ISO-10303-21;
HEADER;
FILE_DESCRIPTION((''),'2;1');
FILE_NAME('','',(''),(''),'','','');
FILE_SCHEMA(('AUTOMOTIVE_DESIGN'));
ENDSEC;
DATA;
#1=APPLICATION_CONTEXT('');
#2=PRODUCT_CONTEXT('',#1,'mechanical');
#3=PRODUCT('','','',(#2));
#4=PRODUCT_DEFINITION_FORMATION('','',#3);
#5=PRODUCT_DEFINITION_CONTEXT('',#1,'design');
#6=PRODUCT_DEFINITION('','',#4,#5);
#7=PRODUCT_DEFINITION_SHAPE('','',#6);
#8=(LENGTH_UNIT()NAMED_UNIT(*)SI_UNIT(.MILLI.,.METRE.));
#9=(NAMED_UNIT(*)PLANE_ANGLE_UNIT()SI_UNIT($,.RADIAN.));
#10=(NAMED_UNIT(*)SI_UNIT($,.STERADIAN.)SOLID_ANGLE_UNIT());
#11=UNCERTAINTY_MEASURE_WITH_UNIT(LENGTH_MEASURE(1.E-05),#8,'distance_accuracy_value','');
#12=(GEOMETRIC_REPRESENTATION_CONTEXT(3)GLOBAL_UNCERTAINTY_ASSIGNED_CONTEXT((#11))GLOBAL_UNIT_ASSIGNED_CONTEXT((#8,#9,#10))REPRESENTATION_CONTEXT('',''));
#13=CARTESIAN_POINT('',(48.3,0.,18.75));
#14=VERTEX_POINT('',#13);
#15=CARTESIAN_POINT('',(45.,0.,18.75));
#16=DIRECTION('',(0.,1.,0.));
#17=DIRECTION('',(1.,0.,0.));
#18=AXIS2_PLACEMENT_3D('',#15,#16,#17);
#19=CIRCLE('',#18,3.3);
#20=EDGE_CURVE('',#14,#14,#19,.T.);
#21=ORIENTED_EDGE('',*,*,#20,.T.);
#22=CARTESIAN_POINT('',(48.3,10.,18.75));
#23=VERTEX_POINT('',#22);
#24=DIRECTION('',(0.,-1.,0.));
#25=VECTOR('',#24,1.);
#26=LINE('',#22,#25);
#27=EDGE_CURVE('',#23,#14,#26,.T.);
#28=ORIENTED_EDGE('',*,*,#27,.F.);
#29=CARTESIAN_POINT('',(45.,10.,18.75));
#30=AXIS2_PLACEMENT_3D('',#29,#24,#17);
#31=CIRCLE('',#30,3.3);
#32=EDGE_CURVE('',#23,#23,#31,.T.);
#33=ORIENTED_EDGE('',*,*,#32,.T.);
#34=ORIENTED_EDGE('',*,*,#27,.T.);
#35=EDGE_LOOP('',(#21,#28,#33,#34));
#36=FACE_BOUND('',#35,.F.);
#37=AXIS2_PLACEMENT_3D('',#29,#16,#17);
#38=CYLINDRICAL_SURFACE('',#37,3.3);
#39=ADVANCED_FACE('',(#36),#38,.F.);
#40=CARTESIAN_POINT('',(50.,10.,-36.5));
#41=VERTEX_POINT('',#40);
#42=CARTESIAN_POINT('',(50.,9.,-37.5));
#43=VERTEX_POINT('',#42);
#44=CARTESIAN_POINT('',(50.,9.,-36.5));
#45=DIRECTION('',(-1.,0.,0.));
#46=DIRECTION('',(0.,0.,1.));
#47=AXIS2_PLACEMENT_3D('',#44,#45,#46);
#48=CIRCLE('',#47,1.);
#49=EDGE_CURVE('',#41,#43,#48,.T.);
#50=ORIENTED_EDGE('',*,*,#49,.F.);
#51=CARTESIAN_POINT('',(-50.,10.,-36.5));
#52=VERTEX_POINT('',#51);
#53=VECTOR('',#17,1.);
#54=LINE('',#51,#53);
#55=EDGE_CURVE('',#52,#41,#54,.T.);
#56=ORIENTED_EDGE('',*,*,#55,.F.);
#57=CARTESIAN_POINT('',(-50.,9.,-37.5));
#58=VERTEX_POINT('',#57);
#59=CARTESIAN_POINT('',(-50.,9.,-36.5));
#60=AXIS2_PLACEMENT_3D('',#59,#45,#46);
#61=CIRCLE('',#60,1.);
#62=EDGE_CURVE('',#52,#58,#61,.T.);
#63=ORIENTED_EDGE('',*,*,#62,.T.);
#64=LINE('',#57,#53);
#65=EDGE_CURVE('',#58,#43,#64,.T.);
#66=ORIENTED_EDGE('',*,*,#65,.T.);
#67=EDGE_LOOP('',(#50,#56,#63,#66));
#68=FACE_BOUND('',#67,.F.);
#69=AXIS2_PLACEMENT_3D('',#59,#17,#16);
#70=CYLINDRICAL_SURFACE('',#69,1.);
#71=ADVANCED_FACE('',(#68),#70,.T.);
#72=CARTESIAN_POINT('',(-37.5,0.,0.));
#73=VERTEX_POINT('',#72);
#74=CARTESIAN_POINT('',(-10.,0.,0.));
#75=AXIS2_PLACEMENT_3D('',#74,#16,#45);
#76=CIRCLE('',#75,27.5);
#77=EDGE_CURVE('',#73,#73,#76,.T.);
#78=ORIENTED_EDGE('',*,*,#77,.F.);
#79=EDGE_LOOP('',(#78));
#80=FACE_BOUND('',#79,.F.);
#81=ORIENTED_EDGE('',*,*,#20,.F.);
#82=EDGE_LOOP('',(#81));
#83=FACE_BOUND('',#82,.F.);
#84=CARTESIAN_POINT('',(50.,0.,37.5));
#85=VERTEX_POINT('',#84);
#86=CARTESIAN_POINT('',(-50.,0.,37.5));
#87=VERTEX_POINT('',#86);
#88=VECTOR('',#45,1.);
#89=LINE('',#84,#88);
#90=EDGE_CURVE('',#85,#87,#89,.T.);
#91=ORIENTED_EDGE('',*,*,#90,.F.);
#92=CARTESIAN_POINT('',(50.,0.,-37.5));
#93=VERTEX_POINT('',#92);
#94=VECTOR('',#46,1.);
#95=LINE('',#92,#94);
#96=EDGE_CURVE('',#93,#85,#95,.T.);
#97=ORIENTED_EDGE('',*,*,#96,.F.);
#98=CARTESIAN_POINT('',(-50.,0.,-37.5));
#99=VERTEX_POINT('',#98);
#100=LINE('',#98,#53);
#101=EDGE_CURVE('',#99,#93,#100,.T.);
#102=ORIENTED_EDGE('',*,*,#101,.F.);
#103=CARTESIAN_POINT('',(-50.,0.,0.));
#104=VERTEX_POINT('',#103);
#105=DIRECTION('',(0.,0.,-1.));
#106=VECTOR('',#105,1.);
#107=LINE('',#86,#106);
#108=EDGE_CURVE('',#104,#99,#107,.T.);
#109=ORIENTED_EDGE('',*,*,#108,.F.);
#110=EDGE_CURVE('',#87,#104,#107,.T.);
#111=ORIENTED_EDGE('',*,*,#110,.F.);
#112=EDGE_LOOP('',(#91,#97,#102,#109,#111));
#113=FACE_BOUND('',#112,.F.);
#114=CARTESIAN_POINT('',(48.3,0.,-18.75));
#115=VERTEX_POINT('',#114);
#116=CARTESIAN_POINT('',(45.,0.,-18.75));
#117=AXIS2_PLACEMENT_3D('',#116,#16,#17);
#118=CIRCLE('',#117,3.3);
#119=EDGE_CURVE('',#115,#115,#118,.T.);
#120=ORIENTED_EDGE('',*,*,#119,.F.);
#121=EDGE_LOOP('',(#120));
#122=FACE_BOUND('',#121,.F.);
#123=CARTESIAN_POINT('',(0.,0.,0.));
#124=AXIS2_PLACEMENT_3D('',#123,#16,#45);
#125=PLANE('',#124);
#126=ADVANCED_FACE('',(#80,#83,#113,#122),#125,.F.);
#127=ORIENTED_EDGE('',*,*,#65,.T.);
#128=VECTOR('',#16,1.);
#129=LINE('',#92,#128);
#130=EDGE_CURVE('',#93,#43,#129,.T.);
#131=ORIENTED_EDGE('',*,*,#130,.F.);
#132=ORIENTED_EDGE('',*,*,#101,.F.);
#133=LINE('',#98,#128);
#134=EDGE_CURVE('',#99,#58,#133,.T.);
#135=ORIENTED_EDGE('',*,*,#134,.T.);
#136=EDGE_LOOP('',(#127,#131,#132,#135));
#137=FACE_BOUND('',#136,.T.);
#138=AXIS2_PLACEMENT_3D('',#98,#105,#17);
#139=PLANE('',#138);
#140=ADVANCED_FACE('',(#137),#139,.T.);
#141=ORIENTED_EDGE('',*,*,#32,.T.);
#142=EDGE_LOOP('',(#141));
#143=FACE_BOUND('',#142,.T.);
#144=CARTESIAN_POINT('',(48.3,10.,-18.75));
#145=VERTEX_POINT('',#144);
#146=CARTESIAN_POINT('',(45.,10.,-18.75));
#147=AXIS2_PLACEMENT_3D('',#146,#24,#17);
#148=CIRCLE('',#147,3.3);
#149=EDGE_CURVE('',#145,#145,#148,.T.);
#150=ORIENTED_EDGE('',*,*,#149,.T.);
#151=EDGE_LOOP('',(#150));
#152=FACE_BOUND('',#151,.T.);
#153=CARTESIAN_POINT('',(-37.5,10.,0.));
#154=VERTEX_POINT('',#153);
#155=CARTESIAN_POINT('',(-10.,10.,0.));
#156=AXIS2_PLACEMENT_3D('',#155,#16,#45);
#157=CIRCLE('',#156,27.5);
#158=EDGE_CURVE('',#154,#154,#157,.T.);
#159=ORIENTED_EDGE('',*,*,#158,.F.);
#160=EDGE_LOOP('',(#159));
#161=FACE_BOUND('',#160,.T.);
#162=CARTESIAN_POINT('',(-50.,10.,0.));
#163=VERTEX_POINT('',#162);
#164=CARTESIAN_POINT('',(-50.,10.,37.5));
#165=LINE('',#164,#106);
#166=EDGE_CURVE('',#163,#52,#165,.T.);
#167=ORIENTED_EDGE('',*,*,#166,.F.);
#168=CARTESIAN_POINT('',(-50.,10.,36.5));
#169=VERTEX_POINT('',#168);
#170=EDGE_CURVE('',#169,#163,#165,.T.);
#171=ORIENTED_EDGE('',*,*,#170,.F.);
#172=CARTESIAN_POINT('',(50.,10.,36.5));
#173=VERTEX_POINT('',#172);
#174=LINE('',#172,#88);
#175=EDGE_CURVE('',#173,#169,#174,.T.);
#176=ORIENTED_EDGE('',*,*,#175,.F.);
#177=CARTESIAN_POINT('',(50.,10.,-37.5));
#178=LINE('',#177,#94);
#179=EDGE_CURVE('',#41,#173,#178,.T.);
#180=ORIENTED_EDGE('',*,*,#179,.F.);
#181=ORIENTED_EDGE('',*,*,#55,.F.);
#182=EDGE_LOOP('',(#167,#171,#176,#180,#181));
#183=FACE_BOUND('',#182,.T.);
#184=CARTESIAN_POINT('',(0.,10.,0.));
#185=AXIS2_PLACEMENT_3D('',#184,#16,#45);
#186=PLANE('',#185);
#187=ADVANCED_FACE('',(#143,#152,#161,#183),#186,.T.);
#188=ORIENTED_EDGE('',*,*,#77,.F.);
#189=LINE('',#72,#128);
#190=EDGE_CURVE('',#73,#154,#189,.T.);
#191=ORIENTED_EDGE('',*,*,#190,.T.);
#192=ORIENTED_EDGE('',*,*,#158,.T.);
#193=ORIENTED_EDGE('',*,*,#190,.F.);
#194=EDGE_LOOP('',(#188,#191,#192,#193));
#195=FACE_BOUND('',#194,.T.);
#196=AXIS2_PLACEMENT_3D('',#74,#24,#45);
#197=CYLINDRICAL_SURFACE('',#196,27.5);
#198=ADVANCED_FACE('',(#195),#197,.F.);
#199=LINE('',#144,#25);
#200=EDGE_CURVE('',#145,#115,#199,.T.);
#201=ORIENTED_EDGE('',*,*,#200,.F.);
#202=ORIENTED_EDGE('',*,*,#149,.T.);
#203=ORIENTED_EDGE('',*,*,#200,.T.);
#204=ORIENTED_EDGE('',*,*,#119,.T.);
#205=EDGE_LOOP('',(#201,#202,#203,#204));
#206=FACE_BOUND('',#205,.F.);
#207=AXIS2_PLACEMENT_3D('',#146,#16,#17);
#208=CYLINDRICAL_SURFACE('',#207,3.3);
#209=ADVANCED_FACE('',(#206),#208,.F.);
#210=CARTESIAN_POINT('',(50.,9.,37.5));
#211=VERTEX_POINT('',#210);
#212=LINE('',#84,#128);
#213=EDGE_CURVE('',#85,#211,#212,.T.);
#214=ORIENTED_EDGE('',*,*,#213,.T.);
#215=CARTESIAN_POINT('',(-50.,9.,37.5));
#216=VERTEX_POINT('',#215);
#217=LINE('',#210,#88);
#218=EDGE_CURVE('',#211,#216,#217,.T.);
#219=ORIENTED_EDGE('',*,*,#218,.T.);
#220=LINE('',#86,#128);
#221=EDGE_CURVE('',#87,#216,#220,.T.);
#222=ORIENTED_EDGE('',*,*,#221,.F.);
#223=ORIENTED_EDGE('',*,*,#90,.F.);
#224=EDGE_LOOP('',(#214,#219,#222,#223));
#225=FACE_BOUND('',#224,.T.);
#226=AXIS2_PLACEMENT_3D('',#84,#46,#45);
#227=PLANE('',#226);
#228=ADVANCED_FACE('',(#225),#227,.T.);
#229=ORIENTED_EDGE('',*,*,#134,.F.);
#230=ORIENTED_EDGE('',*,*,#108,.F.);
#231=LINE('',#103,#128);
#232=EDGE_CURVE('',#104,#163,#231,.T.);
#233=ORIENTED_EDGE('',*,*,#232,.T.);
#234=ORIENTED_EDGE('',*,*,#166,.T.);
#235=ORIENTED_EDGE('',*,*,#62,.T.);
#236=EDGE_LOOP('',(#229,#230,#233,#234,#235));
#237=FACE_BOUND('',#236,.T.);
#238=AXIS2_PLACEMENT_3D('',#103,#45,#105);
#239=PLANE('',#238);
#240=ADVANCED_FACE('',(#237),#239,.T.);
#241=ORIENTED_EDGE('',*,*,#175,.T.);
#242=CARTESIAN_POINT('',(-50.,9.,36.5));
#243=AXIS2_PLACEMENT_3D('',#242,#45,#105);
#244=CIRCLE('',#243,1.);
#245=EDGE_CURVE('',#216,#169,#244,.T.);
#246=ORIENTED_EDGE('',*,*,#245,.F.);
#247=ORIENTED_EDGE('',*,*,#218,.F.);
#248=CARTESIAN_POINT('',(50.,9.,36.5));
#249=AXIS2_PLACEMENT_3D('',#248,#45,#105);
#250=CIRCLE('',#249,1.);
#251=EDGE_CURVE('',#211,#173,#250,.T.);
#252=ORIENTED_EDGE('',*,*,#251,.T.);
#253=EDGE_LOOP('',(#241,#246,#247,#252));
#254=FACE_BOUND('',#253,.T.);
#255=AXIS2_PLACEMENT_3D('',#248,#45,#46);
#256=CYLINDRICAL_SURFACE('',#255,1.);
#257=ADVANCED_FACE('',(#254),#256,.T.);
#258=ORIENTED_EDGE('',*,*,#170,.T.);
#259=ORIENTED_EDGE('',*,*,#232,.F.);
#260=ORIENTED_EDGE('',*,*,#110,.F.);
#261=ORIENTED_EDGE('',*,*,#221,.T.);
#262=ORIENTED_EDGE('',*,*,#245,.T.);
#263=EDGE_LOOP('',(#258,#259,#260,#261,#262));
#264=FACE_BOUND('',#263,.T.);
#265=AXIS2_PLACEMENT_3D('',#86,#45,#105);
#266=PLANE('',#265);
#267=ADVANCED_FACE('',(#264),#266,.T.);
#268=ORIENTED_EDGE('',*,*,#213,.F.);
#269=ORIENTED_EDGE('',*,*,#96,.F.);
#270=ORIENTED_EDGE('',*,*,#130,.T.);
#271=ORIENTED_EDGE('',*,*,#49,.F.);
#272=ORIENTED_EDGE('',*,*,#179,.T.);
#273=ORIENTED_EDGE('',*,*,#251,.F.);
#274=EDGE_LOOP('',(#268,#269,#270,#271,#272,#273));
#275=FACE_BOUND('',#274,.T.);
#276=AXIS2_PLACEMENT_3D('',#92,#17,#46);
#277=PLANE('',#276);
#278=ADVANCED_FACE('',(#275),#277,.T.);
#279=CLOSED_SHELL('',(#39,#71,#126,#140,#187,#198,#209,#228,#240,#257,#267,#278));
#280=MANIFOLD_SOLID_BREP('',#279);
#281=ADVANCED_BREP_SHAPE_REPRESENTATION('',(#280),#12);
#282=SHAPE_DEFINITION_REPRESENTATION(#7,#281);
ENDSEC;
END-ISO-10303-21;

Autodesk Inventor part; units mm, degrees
ref_plane "YZ Plane" through (0, 0, 0) normal (1, 0, 0) x (0, 1, 0)
ref_plane "XZ Plane" through (0, 0, 0) normal (0, 1, 0) x (-1, 0, 0)
ref_plane "XY Plane" through (0, 0, 0) normal (0, 0, 1) x (1, 0, 0)
sketch "Sketch1" plane through (0, 0, 0) normal (0, 1, 0) x (-1, 0, 0)
  line L0 (-50, 37.5) -> (50, 37.5)
  line L1 (50, 37.5) -> (50, -37.5)
  line L2 (50, -37.5) -> (-50, -37.5)
  line L3 (-50, -37.5) -> (-50, 37.5)
  line L4 (-50, 37.5) -> (50, -37.5) construction
  line L5 (50, 37.5) -> (-50, -37.5) construction
  line L6 (50, 0) -> (10, 0)
  circle A0 centre (10, 0) radius 27.5
  point P0 (0, 0)
  dimension "d0" = 100
  dimension "d1" = 75
  dimension "d2" = 40
  dimension "d3" = 55
extrude "Extrusion1" add sketch "Sketch1" along normal blind 10
sketch "Sketch2" plane through (0, 10, 0) normal (0, 1, 0) x (1, 0, 0)
  line L0 (50, 37.5) -> (-50, 37.5) projected
  line L1 (-50, -37.5) -> (50, -37.5) projected
  line L2 (50, 37.5) -> (40, 37.5)
  line L3 (40, 37.5) -> (40, -37.5)
  line L4 (40, -37.5) -> (50, -37.5)
  line L5 (50, -37.5) -> (50, 37.5)
  line L6 (45, 37.5) -> (45, 0)
  line L7 (45, 0) -> (45, -37.5)
  circle A0 centre (45, 18.75) radius 3.3
  circle A1 centre (45, -18.75) radius 3.3
  point P0 (0, 0)
  dimension "d6" = 10
  dimension "d7" = 6.6
  dimension "d8" = 6.6
extrude "Extrusion2" cut sketch "Sketch2" against normal up to surface (10 mm away) contours A0 L6 | L6 A0 | A1 L7 | L7 A1
fillet "Fillet1" radius 1 2 edges at (0, 10, 37.5) (0, 10, -37.5)
properties part number "blok_łożyska"
